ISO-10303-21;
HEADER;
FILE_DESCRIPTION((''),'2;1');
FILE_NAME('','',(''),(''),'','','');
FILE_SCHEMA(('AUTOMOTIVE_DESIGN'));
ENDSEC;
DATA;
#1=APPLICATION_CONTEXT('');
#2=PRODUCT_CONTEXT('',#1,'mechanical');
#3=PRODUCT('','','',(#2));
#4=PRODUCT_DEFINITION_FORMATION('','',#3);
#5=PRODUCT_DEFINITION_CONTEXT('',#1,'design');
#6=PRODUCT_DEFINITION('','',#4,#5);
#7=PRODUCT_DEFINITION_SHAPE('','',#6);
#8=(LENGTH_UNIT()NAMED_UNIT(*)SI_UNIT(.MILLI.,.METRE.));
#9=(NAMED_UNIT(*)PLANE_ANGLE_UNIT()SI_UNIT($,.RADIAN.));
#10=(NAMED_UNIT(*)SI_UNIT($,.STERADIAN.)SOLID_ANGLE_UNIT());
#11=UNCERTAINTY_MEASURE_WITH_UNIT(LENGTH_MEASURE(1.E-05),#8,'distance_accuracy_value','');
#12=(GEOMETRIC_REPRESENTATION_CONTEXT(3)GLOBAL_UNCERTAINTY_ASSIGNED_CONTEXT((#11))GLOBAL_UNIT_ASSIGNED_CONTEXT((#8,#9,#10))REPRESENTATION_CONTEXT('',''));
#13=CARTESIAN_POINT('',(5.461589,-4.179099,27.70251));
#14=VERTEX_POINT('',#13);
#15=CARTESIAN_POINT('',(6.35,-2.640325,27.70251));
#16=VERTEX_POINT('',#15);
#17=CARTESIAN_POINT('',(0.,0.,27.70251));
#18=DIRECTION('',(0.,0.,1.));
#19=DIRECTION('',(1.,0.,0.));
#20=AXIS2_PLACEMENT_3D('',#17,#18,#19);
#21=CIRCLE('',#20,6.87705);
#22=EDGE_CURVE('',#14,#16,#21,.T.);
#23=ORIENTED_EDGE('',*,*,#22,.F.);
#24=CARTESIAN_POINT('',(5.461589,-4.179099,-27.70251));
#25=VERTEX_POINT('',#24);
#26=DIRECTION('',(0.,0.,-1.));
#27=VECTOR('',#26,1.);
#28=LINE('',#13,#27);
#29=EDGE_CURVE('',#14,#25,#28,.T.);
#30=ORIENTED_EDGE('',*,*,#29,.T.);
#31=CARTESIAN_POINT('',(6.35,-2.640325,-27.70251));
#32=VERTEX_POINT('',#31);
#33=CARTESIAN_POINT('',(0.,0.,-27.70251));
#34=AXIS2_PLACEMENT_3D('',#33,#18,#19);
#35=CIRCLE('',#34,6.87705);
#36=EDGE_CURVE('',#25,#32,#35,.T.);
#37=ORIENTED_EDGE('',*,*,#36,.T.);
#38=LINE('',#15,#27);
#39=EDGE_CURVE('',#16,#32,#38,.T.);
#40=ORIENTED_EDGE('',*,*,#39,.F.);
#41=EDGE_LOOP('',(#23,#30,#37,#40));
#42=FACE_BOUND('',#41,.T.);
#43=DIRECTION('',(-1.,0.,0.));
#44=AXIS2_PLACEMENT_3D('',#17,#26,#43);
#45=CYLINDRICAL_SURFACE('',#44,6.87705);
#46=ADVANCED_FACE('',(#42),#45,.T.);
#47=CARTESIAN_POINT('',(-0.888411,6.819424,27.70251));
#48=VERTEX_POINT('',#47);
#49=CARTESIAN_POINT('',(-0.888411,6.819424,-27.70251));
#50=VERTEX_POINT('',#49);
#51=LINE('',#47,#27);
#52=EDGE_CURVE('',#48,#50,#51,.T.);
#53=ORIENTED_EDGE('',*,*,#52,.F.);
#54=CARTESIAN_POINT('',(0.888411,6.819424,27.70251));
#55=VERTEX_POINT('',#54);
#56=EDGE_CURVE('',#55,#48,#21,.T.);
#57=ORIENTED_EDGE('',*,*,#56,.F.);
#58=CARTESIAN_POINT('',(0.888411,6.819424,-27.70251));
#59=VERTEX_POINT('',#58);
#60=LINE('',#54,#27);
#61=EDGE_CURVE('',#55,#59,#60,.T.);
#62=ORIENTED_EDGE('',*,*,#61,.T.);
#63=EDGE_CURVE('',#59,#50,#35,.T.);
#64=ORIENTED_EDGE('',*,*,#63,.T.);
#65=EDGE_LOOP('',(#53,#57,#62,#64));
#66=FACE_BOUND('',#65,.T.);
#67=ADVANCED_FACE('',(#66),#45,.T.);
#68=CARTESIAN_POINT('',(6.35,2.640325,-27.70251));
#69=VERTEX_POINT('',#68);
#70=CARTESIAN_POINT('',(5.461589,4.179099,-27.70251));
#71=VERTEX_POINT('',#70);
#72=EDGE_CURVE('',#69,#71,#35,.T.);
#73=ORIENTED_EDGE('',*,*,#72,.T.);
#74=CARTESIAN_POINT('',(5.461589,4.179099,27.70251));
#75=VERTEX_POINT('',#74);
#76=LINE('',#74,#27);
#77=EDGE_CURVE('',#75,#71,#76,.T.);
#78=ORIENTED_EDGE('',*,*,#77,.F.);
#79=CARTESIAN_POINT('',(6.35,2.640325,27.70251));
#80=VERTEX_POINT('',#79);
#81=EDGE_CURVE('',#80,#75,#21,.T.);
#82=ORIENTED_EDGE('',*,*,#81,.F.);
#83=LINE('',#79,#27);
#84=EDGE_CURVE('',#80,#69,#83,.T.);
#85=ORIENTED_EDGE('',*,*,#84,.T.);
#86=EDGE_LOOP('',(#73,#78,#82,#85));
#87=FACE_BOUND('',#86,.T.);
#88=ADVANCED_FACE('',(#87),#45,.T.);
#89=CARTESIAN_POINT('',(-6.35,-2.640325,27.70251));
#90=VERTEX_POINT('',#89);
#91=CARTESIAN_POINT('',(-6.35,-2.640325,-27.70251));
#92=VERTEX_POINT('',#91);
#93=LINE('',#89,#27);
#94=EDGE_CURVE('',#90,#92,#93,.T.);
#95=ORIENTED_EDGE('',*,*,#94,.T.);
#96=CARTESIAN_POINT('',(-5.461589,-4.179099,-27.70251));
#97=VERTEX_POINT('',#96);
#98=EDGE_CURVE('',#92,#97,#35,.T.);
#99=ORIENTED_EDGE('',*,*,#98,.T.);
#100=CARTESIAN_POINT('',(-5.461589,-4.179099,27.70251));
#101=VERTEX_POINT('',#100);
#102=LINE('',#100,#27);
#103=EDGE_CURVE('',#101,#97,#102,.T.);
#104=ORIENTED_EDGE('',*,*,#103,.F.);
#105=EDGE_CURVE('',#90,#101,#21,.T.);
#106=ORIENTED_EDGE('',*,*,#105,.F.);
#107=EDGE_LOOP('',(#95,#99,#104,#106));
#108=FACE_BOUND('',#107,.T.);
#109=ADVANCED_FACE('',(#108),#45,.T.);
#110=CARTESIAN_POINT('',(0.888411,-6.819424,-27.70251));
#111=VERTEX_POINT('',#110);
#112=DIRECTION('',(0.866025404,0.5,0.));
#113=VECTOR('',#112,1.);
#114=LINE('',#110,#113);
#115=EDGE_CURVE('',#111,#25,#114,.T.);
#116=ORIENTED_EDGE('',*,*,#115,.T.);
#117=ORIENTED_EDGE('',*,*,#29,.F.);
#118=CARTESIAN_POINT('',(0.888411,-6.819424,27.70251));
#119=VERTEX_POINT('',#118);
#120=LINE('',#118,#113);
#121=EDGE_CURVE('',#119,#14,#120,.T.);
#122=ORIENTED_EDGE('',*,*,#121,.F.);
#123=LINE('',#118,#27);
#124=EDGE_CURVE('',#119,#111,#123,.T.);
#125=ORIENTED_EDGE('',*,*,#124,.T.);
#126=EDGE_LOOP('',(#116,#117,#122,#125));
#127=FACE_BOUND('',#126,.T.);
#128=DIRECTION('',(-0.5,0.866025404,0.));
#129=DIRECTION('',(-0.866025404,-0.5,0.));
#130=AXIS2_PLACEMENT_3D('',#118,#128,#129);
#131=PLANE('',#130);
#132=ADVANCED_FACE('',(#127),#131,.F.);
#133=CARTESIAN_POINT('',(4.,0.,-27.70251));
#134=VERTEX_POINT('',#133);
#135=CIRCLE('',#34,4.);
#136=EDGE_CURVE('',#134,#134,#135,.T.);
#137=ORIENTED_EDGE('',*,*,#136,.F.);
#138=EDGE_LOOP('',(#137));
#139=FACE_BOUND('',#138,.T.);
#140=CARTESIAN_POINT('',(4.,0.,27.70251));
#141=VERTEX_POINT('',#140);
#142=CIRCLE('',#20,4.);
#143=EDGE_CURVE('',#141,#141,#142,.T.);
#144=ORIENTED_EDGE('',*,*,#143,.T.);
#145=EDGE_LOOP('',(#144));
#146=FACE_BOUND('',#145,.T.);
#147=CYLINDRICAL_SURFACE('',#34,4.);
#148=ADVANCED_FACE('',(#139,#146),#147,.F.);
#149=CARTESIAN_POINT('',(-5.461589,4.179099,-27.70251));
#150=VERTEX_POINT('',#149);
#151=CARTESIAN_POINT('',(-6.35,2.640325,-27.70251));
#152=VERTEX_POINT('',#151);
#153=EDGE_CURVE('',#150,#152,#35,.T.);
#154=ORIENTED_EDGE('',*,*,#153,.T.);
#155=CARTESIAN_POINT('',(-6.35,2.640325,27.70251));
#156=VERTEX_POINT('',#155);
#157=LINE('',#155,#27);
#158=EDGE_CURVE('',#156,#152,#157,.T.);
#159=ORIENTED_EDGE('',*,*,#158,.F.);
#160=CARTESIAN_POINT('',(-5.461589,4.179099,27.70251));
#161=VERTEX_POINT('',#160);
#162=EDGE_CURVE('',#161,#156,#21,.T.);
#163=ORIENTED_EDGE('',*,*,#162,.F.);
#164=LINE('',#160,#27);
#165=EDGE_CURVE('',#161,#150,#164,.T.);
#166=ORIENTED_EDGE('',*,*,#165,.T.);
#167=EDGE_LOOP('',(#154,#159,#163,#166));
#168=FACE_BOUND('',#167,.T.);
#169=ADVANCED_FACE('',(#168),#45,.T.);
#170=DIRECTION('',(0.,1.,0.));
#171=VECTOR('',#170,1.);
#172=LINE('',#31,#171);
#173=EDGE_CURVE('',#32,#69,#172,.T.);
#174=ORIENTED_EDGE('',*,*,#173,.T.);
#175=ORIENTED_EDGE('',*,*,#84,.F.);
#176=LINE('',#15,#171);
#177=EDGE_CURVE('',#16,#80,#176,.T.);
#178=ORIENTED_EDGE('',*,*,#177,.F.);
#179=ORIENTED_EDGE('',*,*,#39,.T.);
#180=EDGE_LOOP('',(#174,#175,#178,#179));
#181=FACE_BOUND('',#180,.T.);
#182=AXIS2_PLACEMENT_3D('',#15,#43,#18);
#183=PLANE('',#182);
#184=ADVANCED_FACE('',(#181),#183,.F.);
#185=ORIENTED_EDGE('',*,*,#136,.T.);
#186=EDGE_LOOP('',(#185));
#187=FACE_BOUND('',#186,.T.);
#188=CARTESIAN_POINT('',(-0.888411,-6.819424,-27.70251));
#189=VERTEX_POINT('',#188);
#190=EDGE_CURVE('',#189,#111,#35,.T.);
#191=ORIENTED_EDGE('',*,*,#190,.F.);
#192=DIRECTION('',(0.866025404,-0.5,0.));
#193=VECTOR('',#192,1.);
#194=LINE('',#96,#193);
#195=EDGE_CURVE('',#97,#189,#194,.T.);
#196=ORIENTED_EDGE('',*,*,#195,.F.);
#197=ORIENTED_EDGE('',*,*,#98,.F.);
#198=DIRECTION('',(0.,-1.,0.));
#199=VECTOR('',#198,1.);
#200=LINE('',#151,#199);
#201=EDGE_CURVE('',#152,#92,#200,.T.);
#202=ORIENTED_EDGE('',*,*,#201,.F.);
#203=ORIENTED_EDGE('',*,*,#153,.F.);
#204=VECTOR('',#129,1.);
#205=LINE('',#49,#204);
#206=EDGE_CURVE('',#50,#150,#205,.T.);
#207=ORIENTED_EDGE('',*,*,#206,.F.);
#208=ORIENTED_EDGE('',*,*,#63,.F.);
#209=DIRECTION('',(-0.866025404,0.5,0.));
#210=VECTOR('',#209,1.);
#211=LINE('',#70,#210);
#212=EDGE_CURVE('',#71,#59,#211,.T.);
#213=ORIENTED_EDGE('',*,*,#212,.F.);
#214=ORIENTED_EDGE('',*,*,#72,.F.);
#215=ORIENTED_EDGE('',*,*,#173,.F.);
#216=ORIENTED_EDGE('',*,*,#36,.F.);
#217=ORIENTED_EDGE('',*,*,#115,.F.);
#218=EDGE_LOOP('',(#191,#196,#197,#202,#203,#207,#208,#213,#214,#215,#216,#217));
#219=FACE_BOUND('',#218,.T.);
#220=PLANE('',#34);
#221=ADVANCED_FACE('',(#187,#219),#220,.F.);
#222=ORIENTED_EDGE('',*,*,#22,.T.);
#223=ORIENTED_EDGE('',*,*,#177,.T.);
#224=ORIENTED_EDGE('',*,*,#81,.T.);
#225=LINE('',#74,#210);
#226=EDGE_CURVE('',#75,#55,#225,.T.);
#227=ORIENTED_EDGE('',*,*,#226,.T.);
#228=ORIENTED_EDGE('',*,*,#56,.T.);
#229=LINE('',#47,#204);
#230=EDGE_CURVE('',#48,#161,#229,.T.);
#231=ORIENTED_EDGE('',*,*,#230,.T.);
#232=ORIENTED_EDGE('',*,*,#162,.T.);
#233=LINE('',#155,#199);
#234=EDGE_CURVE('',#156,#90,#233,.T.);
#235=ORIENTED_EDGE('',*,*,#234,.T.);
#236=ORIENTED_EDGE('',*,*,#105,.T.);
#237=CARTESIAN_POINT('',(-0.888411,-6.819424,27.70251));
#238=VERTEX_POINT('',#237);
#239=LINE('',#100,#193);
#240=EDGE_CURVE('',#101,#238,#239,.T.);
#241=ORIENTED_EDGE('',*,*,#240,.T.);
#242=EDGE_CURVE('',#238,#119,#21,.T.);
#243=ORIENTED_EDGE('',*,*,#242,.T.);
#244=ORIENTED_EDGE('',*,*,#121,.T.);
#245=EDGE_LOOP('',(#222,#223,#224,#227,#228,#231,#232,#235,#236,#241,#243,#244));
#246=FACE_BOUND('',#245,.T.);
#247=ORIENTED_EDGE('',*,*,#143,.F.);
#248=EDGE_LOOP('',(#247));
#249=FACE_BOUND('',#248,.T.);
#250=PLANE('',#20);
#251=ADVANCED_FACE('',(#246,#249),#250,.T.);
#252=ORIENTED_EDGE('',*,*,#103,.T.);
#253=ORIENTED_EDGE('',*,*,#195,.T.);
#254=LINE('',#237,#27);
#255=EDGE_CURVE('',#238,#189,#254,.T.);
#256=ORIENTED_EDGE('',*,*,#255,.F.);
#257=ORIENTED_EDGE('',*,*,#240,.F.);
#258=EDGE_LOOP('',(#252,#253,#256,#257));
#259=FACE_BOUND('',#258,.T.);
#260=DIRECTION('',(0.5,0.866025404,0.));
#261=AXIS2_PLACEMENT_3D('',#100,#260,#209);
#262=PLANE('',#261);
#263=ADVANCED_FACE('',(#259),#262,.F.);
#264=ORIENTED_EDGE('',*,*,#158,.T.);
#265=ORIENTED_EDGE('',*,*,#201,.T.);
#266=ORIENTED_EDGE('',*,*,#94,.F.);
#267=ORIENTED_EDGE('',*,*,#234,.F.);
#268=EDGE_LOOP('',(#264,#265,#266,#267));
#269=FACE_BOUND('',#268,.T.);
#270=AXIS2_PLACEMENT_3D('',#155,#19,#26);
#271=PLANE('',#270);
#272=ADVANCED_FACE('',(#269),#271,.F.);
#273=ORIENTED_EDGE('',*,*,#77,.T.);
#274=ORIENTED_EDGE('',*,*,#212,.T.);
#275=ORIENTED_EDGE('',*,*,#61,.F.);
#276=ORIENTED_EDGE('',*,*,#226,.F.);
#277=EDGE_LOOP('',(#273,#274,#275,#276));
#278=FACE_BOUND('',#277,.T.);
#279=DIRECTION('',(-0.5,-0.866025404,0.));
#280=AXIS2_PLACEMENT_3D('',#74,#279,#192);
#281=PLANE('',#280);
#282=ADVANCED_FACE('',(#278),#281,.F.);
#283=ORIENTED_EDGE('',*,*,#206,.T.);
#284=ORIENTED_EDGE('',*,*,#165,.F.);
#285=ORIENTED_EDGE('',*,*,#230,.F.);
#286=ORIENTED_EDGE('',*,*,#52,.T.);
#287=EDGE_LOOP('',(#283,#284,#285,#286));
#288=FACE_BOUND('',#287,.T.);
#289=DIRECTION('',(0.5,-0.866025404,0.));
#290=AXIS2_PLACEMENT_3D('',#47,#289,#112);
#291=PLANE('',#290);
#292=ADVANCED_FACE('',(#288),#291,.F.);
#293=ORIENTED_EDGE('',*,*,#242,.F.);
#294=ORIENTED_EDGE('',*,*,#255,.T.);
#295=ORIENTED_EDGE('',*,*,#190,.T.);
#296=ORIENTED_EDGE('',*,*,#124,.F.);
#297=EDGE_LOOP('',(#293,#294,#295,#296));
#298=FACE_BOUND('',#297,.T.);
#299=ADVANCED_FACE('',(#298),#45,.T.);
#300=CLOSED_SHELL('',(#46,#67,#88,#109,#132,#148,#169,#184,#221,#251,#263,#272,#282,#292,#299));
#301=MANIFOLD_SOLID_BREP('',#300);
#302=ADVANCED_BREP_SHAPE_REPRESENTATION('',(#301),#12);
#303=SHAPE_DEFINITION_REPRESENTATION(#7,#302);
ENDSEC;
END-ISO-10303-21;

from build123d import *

# Parameters (mm, degrees)
SKETCH1_R               = 6.35
BASIC_ROD_DEPTH         = 27.70251
BASIC_ROD_DEPTH_BACK    = 27.70251
THEX_DEPTH              = 27.70251
SKETCH2_R               = 4
INTERNAL_CUT_DEPTH      = 28.70251
INTERNAL_CUT_DEPTH_BACK = 28.70251


with BuildPart() as part:
    # Sketch1 → Basic Rod (new body, two sides)
    with BuildSketch(Plane.XY) as basic_rod_sk:
        Circle(SKETCH1_R)
    extrude(amount=BASIC_ROD_DEPTH)
    extrude(basic_rod_sk.sketch, amount=-BASIC_ROD_DEPTH_BACK)

    # Sketch8 → THex (add, symmetric)
    with BuildSketch(Plane.XY):
        with BuildLine():
            Line((-0.888411378, 6.819423871), (-5.461588622, 4.179098758))
            ThreePointArc((-5.461588622, 4.179098758), (-5.955700003, 3.438525), (-6.35, 2.640325113))
            Line((-6.35, 2.640325113), (-6.35, -2.640325113))
            ThreePointArc((-6.35, -2.640325113), (-5.955700003, -3.438525), (-5.461588622, -4.179098758))
            Line((-5.461588622, -4.179098758), (-0.888411378, -6.819423871))
            ThreePointArc((-0.888411378, -6.819423871), (0, -6.87705), (0.888411378, -6.819423871))
            Line((0.888411378, -6.819423871), (5.461588622, -4.179098758))
            ThreePointArc((5.461588622, -4.179098758), (5.955700003, -3.438525), (6.35, -2.640325113))
            Line((6.35, -2.640325113), (6.35, 2.640325113))
            ThreePointArc((6.35, 2.640325113), (5.955700003, 3.438525), (5.461588622, 4.179098758))
            Line((5.461588622, 4.179098758), (0.888411378, 6.819423871))
            ThreePointArc((0.888411378, 6.819423871), (0, 6.87705), (-0.888411378, 6.819423871))
        make_face()
    extrude(amount=THEX_DEPTH, both=True)

    # Sketch2 → Internal Cut (cut, two sides)
    with BuildSketch(Plane.XY) as internal_cut_sk:
        Circle(SKETCH2_R)
    extrude(amount=INTERNAL_CUT_DEPTH, mode=Mode.SUBTRACT)
    extrude(internal_cut_sk.sketch, amount=-INTERNAL_CUT_DEPTH_BACK, mode=Mode.SUBTRACT)


solid = part.part
